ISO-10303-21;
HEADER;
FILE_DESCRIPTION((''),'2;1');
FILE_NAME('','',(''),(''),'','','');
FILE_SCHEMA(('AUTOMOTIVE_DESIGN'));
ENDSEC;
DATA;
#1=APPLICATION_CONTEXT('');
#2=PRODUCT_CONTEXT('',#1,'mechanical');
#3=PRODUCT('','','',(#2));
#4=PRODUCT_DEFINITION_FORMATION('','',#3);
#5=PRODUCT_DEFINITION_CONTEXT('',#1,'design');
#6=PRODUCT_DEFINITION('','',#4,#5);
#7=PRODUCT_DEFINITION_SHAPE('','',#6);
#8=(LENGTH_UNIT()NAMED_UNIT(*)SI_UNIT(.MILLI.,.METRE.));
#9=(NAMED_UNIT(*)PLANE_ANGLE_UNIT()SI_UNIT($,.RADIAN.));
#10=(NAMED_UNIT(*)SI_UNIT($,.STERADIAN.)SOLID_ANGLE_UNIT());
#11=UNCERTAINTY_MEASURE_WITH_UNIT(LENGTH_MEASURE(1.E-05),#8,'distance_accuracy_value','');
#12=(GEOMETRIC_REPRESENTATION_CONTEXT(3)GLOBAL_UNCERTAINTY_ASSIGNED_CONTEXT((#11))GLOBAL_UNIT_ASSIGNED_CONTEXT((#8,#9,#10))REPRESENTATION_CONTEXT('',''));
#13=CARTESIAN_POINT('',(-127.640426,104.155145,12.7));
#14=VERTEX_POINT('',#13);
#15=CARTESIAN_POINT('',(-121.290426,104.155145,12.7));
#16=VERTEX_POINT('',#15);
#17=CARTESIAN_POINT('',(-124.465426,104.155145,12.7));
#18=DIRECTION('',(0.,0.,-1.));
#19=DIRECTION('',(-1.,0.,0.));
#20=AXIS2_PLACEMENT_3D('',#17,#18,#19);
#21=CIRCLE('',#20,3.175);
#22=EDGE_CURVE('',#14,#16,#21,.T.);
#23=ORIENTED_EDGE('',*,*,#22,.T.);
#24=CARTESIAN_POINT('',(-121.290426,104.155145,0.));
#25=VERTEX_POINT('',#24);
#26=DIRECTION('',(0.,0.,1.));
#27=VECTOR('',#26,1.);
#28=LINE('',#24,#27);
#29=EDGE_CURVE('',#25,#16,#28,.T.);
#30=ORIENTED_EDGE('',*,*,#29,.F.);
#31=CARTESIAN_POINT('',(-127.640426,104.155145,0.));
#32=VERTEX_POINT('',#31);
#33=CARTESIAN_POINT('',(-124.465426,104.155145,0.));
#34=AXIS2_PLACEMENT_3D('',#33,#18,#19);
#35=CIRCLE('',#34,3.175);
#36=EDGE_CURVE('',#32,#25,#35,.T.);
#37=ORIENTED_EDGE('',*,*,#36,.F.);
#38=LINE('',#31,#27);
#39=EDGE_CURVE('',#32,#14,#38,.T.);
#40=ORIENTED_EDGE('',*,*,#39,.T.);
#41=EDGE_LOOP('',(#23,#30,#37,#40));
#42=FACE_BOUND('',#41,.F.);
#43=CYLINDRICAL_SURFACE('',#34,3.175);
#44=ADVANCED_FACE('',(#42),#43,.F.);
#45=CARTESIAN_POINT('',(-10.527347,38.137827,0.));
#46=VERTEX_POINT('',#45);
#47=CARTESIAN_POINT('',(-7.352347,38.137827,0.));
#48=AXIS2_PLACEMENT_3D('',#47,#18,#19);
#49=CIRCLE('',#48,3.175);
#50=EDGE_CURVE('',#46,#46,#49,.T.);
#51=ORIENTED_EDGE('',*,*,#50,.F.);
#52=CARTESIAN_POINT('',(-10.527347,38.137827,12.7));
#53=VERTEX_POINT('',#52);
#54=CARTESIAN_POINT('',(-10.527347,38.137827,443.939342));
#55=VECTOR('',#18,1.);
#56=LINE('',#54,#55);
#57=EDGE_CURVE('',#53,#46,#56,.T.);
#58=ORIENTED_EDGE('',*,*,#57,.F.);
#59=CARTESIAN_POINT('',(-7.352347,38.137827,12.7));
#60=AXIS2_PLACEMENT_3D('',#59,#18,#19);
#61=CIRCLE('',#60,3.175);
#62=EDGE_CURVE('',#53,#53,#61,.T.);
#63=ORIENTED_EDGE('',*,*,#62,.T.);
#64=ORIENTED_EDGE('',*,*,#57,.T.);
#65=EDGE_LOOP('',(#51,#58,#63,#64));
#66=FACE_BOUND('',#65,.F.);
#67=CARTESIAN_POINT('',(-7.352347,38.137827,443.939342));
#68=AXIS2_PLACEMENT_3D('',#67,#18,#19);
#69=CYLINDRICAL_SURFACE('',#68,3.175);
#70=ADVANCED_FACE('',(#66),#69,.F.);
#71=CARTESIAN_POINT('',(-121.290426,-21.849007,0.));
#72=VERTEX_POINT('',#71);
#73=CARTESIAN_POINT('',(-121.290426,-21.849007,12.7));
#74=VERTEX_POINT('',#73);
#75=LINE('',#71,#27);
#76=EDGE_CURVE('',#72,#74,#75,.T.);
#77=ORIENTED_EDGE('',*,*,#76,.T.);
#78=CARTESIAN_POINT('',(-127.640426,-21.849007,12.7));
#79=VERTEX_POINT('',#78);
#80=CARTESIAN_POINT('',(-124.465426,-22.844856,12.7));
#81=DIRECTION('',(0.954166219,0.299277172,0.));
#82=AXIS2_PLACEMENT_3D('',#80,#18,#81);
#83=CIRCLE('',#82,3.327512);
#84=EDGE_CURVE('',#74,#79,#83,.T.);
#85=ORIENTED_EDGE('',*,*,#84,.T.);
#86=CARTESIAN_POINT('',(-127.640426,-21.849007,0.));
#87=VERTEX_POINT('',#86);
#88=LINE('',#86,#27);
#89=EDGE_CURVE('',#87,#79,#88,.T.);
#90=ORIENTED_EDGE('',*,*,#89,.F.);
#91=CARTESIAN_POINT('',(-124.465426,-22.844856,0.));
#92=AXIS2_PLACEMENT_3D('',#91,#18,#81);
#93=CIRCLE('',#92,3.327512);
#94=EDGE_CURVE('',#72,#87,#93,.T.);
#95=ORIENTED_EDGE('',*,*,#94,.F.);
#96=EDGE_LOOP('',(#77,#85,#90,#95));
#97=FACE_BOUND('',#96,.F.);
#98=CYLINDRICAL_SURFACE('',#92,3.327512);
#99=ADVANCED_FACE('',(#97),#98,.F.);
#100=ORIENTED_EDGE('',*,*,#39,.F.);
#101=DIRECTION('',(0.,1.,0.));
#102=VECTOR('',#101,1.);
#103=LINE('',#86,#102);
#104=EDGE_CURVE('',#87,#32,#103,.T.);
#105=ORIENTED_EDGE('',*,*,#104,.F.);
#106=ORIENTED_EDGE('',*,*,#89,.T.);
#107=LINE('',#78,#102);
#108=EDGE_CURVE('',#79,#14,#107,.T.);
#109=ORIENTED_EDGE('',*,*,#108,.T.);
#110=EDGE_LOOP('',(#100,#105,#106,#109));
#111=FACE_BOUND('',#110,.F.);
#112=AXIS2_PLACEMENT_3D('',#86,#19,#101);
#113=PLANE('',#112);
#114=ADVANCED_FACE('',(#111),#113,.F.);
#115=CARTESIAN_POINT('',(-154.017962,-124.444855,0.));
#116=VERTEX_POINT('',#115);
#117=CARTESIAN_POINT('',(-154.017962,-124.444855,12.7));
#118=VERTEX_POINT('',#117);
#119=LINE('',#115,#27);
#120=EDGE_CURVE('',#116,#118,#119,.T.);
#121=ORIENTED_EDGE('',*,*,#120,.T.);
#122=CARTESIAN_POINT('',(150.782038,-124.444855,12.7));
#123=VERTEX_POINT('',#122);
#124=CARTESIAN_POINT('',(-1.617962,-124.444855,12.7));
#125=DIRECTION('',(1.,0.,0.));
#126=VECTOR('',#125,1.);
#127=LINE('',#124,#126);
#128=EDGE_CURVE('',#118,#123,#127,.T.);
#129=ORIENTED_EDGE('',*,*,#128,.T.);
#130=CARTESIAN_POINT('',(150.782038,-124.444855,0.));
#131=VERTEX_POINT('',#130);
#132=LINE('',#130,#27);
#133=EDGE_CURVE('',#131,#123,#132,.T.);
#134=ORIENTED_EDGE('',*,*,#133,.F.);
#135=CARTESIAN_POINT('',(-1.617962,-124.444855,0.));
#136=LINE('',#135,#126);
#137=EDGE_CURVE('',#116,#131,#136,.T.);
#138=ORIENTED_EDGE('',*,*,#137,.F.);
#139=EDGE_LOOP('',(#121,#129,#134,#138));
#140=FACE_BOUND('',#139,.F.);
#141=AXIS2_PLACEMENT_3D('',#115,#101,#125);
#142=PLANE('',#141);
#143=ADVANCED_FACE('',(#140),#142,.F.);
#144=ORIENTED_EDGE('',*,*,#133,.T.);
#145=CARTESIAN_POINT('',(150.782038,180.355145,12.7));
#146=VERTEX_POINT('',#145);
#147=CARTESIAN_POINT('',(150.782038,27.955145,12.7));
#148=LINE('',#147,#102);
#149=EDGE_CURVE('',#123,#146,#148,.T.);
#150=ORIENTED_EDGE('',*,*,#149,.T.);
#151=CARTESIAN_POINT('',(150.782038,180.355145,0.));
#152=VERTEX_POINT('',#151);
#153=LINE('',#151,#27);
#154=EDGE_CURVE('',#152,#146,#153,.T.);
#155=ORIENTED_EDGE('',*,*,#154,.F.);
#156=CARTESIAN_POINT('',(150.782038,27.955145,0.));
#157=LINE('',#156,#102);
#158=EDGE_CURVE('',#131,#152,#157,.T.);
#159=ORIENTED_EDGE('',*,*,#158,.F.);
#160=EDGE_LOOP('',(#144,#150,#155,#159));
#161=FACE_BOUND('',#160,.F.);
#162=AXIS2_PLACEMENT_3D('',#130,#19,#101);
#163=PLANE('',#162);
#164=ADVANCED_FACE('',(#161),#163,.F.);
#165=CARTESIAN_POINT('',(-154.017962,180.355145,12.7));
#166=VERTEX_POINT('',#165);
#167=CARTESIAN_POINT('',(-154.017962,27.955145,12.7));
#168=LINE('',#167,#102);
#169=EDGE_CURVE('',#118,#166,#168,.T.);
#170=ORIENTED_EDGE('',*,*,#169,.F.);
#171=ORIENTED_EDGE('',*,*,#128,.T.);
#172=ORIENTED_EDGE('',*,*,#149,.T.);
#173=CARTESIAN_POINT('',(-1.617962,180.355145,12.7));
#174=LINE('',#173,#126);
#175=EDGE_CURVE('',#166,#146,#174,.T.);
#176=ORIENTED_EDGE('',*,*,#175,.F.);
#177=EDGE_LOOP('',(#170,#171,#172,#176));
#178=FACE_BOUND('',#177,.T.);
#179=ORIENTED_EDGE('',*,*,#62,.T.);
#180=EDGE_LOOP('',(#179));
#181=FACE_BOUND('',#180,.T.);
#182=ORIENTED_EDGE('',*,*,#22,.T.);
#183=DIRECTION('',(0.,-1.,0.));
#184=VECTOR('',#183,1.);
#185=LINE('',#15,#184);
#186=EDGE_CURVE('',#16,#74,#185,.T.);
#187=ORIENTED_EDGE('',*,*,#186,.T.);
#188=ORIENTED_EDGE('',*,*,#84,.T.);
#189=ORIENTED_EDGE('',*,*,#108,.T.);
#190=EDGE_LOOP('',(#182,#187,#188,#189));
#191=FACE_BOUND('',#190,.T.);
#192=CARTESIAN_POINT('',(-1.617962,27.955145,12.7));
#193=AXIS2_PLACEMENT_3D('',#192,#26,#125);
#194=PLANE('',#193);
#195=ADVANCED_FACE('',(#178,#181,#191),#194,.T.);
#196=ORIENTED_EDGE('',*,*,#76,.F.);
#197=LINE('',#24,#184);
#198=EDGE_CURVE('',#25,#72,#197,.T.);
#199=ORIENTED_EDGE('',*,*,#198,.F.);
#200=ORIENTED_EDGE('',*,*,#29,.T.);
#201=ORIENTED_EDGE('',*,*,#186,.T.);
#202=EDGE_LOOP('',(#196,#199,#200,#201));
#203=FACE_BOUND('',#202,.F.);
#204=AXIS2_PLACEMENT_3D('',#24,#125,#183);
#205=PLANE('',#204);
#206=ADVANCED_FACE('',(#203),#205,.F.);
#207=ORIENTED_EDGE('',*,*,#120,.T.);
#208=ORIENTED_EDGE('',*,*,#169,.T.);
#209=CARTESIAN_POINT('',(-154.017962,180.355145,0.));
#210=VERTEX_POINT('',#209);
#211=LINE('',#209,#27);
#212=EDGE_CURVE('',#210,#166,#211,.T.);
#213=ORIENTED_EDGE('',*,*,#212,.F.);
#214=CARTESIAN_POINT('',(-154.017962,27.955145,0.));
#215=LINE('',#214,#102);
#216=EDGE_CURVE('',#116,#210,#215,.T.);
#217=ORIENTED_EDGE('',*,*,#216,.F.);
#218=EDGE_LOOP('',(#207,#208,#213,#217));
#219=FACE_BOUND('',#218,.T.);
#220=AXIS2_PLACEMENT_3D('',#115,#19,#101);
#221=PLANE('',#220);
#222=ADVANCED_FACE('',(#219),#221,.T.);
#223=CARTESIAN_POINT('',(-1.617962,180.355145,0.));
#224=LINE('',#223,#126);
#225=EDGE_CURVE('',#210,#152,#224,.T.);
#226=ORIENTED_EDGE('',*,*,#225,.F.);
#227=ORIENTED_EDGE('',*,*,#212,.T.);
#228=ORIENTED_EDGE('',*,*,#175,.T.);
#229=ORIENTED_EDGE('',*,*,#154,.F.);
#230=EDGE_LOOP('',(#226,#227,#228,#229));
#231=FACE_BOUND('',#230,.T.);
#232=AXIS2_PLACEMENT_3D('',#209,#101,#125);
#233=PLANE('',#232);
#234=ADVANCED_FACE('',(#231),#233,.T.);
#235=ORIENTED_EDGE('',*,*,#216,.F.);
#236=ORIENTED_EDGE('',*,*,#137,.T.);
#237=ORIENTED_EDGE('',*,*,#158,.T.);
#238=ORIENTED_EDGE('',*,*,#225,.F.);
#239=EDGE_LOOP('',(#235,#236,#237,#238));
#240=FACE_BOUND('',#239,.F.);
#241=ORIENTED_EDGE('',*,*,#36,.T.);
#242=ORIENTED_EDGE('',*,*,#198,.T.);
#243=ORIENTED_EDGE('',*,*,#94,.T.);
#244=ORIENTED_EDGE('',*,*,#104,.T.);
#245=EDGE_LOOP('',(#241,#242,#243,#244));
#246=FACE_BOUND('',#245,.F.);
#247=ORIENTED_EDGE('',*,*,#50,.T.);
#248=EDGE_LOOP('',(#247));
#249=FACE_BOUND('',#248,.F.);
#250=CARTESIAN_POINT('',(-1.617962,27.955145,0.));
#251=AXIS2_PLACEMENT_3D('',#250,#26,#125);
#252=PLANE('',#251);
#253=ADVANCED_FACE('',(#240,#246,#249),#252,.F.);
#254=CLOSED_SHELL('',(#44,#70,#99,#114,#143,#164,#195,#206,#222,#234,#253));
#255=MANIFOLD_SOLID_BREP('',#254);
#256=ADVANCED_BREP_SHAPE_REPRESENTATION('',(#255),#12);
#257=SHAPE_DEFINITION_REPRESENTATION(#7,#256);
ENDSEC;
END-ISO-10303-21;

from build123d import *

# Parameters (mm, degrees)
F0_W     = 304.8
F0_H     = 304.8
F1_DEPTH = 12.7
F3_D     = 6.35


with BuildPart() as f1:
    # F0 (on Top) → F1 (new body)
    with BuildSketch(Plane.XY):
        with Locations((-1.617962, 27.955145)):
            Rectangle(F0_W, F0_H)
        with BuildLine():
            Line((-127.640426, -21.849007), (-127.640426, 104.155145))
            ThreePointArc((-127.640426, 104.155145), (-124.465426, 107.330145), (-121.290426, 104.155145))
            Line((-121.290426, 104.155145), (-121.290426, -21.849007))
            ThreePointArc((-121.290426, -21.849007), (-124.465426, -26.172368), (-127.640426, -21.849007))
        make_face(mode=Mode.SUBTRACT)
    extrude(amount=F1_DEPTH)

    # F3 (through all)
    with Locations(Plane.XY.offset(12.7)):
        with Locations((-7.352347, 38.137827)):
            Hole(F3_D / 2)


solid = f1.part
